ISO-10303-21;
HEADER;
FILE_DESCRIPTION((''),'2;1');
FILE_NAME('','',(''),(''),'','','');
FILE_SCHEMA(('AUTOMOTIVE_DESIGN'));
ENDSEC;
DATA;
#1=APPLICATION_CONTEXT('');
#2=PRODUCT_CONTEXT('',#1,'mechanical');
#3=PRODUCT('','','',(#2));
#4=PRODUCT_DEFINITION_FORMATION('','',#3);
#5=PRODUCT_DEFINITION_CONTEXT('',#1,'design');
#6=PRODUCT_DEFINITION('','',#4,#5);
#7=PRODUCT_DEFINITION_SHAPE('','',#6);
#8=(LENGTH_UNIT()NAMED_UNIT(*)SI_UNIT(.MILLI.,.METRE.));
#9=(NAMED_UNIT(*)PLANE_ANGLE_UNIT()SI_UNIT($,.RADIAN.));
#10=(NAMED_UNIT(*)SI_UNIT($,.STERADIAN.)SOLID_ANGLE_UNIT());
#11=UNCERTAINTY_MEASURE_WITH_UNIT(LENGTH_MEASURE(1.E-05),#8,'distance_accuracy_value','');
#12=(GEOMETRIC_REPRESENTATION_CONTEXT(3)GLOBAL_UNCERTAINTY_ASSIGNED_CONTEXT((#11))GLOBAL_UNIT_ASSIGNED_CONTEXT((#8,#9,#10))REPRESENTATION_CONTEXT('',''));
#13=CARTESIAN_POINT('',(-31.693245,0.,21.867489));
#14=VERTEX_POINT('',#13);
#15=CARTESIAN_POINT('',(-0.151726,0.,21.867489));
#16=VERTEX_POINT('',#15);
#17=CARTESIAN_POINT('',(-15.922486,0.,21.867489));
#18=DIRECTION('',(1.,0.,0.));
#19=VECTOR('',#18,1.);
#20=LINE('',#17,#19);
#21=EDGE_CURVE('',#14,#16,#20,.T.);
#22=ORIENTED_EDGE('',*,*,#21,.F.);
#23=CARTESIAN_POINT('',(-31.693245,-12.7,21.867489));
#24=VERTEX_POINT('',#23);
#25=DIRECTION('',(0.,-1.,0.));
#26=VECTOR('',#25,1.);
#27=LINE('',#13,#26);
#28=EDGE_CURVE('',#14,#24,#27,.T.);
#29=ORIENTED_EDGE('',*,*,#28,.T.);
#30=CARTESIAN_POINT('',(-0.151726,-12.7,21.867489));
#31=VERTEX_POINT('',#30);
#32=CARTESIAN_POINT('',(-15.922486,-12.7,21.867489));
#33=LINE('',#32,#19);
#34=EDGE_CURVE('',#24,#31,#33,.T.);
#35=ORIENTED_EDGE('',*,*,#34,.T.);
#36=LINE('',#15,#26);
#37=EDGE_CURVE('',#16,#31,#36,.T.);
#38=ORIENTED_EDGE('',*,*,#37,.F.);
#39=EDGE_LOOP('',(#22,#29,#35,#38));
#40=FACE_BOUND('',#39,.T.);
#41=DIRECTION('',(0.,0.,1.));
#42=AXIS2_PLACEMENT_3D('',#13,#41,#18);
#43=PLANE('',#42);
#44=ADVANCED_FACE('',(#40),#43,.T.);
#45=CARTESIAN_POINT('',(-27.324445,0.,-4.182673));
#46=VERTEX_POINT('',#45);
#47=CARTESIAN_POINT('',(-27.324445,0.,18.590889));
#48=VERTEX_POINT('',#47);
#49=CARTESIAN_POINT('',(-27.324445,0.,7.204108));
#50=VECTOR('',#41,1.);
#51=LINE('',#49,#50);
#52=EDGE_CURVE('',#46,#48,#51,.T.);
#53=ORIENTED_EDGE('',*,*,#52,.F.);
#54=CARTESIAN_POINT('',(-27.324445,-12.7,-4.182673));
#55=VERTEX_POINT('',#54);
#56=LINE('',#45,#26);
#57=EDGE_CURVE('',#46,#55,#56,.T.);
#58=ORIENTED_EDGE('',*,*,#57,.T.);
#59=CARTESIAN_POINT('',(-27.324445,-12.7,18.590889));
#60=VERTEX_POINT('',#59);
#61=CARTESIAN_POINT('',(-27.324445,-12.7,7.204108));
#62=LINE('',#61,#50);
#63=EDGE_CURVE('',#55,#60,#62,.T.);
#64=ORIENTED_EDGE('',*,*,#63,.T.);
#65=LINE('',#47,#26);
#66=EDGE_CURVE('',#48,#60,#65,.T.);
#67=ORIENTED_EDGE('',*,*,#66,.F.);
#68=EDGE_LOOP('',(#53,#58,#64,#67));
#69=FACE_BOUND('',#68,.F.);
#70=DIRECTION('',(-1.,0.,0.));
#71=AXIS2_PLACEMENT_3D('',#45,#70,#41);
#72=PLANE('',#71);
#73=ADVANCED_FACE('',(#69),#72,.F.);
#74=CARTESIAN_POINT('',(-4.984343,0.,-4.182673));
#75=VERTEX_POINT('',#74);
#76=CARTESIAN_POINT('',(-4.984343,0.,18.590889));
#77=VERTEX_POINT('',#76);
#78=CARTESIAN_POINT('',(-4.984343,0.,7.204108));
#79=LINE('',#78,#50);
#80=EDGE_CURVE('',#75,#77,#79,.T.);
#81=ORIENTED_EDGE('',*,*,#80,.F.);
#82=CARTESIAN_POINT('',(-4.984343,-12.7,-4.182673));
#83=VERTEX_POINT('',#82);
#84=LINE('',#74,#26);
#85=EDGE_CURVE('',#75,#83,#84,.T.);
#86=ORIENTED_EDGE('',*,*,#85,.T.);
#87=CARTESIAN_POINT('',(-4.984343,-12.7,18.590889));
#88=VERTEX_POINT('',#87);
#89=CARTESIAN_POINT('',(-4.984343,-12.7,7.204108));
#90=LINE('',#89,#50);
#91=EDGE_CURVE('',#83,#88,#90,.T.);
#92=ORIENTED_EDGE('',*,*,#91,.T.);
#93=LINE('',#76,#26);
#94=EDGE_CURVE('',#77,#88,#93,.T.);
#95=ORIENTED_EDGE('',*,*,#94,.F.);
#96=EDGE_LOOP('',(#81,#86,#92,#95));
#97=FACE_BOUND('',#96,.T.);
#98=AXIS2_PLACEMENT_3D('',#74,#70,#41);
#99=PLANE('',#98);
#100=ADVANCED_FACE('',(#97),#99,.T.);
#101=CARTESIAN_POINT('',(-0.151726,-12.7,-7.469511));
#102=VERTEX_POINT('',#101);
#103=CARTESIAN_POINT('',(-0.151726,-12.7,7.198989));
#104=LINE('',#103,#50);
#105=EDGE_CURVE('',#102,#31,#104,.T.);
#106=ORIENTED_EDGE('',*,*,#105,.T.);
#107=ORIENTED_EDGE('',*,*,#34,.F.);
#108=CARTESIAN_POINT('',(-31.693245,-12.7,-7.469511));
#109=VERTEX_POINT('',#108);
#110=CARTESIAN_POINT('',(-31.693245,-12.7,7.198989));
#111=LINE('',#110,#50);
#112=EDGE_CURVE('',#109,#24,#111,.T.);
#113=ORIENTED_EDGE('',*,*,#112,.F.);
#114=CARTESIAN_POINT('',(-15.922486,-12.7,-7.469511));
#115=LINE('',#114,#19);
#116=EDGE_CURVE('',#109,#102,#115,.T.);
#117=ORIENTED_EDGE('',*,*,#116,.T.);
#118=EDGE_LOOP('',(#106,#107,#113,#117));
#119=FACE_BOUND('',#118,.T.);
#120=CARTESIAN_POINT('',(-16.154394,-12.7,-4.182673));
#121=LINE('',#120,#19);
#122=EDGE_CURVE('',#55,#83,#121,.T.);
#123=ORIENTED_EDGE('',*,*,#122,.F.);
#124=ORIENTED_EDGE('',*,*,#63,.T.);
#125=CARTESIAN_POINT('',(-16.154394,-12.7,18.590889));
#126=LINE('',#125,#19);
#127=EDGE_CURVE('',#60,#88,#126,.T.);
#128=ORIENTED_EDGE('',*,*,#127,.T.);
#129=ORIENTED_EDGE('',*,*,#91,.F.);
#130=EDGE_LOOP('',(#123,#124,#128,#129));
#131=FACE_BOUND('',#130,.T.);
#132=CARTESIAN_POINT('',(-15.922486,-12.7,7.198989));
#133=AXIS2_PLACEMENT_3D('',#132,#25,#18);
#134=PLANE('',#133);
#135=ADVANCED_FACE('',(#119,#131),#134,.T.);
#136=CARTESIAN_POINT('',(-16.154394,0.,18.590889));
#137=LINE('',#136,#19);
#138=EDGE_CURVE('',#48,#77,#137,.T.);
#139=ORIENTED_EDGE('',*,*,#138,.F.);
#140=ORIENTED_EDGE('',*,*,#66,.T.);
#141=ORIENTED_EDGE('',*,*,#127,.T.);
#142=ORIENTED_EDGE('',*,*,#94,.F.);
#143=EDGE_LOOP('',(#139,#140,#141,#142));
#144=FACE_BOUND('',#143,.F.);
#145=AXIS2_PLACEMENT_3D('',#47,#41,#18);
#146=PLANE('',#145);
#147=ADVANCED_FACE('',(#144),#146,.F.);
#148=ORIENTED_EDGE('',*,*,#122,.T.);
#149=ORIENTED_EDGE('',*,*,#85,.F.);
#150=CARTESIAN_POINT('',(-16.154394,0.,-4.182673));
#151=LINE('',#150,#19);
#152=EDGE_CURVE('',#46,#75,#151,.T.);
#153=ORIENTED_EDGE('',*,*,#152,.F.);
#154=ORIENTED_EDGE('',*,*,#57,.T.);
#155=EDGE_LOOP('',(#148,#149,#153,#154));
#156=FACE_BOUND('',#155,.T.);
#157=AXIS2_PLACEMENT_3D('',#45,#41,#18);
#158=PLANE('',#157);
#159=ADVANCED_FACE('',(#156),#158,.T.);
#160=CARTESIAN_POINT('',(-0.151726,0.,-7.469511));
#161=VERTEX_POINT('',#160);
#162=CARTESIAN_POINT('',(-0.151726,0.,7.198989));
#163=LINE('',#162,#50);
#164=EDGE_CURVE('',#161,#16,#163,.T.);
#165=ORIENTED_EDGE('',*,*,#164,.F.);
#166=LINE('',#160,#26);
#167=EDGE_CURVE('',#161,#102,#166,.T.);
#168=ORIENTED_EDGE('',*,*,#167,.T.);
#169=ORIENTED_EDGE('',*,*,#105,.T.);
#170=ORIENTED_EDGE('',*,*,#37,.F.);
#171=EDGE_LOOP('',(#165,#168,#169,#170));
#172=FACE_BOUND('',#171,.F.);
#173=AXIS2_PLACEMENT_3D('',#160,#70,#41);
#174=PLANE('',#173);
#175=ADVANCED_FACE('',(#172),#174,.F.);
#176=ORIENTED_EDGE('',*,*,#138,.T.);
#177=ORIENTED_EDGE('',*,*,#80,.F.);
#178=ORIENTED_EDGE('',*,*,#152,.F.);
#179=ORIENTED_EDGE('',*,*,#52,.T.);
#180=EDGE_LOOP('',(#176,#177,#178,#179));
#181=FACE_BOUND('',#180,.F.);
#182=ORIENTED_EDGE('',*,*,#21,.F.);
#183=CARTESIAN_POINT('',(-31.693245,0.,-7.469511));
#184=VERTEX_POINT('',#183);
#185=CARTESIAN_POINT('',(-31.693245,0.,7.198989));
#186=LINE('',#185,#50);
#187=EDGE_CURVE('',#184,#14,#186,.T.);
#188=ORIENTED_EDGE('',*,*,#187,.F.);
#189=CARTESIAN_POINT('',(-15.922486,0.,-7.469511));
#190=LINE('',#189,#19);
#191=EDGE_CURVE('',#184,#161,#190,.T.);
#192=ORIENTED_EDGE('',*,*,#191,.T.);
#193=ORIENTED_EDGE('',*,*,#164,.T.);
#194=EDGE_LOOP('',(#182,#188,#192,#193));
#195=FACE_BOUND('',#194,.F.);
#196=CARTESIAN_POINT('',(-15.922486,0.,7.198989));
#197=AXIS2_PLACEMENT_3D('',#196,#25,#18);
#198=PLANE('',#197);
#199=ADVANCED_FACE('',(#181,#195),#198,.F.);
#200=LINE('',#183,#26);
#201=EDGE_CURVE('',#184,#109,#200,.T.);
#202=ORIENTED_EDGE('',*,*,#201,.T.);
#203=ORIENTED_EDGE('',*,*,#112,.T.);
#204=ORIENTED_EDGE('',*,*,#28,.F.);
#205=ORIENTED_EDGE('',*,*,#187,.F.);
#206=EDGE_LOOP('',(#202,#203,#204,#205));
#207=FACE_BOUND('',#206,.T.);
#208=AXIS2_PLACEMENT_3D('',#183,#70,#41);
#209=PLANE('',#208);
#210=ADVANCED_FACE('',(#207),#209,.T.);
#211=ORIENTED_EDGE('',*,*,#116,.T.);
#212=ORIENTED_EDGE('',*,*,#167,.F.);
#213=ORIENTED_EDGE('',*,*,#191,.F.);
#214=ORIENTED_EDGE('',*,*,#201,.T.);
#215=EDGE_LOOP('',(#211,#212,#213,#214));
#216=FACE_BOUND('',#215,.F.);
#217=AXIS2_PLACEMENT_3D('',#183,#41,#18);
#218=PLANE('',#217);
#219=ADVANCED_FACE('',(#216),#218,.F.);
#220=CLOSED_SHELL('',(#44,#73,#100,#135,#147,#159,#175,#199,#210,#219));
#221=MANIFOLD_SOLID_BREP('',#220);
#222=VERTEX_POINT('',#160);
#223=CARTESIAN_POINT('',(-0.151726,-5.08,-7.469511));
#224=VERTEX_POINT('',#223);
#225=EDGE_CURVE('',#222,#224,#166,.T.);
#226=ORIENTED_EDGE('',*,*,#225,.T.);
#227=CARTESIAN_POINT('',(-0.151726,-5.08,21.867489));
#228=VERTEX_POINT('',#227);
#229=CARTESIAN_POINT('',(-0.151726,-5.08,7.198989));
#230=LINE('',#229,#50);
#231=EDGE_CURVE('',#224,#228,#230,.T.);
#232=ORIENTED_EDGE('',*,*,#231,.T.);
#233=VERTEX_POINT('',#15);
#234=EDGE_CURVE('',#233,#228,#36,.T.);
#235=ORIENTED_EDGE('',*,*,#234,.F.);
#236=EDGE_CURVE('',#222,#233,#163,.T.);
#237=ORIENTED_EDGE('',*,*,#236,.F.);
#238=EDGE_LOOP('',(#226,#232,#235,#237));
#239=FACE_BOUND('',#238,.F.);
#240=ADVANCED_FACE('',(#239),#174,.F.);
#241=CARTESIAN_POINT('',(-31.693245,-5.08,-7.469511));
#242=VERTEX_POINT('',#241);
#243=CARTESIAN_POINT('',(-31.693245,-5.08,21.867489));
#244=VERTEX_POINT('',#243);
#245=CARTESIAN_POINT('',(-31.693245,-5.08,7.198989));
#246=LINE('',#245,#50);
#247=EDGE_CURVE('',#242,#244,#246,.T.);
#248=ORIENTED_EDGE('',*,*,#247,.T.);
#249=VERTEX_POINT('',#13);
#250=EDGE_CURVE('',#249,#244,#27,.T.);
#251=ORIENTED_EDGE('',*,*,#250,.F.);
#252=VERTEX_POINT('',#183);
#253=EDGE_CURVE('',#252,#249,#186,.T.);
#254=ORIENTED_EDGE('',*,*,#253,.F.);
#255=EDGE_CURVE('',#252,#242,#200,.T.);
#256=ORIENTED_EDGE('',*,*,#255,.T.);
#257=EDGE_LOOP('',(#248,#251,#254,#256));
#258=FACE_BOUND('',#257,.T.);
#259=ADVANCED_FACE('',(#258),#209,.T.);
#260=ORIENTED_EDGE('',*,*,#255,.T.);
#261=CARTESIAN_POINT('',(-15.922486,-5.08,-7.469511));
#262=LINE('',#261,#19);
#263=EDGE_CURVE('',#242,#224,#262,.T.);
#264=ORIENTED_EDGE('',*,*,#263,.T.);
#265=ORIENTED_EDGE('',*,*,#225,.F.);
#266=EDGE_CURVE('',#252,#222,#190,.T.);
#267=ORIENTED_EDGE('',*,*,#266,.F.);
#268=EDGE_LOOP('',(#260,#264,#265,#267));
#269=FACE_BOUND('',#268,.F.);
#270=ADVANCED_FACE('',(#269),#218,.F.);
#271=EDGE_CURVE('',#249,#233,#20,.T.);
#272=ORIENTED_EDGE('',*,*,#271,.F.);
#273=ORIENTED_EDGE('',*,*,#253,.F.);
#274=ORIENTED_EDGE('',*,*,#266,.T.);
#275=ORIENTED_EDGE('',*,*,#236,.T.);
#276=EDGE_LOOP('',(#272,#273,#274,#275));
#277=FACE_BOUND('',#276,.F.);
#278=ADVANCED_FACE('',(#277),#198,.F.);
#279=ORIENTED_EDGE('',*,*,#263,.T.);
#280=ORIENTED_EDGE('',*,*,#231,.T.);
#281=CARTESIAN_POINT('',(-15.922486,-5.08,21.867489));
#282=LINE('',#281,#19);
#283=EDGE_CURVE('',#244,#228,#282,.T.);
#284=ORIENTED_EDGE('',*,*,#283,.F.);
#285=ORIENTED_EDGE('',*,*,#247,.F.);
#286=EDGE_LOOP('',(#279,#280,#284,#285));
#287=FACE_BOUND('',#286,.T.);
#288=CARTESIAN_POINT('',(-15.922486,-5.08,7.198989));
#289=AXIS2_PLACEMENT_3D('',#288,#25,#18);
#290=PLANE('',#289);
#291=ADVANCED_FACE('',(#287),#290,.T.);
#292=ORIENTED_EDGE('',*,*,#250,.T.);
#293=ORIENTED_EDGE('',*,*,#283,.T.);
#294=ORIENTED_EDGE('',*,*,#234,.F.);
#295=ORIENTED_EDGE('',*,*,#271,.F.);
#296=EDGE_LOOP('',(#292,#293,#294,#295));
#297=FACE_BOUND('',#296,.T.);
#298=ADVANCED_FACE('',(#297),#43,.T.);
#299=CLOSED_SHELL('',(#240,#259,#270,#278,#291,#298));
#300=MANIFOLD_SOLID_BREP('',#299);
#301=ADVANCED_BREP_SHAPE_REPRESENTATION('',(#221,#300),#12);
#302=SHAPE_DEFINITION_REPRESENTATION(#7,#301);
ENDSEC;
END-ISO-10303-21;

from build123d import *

# Parameters (mm, degrees)
F0_W     = 31.541519
F0_H     = 29.337
F0_W_2   = 22.340103
F0_H_2   = 22.773562
F1_DEPTH = 12.7
F2_DEPTH = 5.08


with BuildPart() as f1:
    # F0 (on Front) → F1 (new body)
    with BuildSketch(Plane.XZ):
        with Locations((-15.922486, 7.198989)):
            Rectangle(F0_W, F0_H)
        with Locations((-16.154394, 7.204108)):
            Rectangle(F0_W_2, F0_H_2, mode=Mode.SUBTRACT)
    extrude(amount=F1_DEPTH)


with BuildPart() as f2:
    # F0 (on Front) → F2 (new body)
    with BuildSketch(Plane.XZ):
        with Locations((-15.922486, 7.198989)):
            Rectangle(F0_W, F0_H)
        with Locations((-16.154394, 7.204108)):
            Rectangle(F0_W_2, F0_H_2, mode=Mode.SUBTRACT)
        with Locations((-16.154394, 7.204108)):
            Rectangle(F0_W_2, F0_H_2)
    extrude(amount=F2_DEPTH)


solid = Compound([f1.part, f2.part])
